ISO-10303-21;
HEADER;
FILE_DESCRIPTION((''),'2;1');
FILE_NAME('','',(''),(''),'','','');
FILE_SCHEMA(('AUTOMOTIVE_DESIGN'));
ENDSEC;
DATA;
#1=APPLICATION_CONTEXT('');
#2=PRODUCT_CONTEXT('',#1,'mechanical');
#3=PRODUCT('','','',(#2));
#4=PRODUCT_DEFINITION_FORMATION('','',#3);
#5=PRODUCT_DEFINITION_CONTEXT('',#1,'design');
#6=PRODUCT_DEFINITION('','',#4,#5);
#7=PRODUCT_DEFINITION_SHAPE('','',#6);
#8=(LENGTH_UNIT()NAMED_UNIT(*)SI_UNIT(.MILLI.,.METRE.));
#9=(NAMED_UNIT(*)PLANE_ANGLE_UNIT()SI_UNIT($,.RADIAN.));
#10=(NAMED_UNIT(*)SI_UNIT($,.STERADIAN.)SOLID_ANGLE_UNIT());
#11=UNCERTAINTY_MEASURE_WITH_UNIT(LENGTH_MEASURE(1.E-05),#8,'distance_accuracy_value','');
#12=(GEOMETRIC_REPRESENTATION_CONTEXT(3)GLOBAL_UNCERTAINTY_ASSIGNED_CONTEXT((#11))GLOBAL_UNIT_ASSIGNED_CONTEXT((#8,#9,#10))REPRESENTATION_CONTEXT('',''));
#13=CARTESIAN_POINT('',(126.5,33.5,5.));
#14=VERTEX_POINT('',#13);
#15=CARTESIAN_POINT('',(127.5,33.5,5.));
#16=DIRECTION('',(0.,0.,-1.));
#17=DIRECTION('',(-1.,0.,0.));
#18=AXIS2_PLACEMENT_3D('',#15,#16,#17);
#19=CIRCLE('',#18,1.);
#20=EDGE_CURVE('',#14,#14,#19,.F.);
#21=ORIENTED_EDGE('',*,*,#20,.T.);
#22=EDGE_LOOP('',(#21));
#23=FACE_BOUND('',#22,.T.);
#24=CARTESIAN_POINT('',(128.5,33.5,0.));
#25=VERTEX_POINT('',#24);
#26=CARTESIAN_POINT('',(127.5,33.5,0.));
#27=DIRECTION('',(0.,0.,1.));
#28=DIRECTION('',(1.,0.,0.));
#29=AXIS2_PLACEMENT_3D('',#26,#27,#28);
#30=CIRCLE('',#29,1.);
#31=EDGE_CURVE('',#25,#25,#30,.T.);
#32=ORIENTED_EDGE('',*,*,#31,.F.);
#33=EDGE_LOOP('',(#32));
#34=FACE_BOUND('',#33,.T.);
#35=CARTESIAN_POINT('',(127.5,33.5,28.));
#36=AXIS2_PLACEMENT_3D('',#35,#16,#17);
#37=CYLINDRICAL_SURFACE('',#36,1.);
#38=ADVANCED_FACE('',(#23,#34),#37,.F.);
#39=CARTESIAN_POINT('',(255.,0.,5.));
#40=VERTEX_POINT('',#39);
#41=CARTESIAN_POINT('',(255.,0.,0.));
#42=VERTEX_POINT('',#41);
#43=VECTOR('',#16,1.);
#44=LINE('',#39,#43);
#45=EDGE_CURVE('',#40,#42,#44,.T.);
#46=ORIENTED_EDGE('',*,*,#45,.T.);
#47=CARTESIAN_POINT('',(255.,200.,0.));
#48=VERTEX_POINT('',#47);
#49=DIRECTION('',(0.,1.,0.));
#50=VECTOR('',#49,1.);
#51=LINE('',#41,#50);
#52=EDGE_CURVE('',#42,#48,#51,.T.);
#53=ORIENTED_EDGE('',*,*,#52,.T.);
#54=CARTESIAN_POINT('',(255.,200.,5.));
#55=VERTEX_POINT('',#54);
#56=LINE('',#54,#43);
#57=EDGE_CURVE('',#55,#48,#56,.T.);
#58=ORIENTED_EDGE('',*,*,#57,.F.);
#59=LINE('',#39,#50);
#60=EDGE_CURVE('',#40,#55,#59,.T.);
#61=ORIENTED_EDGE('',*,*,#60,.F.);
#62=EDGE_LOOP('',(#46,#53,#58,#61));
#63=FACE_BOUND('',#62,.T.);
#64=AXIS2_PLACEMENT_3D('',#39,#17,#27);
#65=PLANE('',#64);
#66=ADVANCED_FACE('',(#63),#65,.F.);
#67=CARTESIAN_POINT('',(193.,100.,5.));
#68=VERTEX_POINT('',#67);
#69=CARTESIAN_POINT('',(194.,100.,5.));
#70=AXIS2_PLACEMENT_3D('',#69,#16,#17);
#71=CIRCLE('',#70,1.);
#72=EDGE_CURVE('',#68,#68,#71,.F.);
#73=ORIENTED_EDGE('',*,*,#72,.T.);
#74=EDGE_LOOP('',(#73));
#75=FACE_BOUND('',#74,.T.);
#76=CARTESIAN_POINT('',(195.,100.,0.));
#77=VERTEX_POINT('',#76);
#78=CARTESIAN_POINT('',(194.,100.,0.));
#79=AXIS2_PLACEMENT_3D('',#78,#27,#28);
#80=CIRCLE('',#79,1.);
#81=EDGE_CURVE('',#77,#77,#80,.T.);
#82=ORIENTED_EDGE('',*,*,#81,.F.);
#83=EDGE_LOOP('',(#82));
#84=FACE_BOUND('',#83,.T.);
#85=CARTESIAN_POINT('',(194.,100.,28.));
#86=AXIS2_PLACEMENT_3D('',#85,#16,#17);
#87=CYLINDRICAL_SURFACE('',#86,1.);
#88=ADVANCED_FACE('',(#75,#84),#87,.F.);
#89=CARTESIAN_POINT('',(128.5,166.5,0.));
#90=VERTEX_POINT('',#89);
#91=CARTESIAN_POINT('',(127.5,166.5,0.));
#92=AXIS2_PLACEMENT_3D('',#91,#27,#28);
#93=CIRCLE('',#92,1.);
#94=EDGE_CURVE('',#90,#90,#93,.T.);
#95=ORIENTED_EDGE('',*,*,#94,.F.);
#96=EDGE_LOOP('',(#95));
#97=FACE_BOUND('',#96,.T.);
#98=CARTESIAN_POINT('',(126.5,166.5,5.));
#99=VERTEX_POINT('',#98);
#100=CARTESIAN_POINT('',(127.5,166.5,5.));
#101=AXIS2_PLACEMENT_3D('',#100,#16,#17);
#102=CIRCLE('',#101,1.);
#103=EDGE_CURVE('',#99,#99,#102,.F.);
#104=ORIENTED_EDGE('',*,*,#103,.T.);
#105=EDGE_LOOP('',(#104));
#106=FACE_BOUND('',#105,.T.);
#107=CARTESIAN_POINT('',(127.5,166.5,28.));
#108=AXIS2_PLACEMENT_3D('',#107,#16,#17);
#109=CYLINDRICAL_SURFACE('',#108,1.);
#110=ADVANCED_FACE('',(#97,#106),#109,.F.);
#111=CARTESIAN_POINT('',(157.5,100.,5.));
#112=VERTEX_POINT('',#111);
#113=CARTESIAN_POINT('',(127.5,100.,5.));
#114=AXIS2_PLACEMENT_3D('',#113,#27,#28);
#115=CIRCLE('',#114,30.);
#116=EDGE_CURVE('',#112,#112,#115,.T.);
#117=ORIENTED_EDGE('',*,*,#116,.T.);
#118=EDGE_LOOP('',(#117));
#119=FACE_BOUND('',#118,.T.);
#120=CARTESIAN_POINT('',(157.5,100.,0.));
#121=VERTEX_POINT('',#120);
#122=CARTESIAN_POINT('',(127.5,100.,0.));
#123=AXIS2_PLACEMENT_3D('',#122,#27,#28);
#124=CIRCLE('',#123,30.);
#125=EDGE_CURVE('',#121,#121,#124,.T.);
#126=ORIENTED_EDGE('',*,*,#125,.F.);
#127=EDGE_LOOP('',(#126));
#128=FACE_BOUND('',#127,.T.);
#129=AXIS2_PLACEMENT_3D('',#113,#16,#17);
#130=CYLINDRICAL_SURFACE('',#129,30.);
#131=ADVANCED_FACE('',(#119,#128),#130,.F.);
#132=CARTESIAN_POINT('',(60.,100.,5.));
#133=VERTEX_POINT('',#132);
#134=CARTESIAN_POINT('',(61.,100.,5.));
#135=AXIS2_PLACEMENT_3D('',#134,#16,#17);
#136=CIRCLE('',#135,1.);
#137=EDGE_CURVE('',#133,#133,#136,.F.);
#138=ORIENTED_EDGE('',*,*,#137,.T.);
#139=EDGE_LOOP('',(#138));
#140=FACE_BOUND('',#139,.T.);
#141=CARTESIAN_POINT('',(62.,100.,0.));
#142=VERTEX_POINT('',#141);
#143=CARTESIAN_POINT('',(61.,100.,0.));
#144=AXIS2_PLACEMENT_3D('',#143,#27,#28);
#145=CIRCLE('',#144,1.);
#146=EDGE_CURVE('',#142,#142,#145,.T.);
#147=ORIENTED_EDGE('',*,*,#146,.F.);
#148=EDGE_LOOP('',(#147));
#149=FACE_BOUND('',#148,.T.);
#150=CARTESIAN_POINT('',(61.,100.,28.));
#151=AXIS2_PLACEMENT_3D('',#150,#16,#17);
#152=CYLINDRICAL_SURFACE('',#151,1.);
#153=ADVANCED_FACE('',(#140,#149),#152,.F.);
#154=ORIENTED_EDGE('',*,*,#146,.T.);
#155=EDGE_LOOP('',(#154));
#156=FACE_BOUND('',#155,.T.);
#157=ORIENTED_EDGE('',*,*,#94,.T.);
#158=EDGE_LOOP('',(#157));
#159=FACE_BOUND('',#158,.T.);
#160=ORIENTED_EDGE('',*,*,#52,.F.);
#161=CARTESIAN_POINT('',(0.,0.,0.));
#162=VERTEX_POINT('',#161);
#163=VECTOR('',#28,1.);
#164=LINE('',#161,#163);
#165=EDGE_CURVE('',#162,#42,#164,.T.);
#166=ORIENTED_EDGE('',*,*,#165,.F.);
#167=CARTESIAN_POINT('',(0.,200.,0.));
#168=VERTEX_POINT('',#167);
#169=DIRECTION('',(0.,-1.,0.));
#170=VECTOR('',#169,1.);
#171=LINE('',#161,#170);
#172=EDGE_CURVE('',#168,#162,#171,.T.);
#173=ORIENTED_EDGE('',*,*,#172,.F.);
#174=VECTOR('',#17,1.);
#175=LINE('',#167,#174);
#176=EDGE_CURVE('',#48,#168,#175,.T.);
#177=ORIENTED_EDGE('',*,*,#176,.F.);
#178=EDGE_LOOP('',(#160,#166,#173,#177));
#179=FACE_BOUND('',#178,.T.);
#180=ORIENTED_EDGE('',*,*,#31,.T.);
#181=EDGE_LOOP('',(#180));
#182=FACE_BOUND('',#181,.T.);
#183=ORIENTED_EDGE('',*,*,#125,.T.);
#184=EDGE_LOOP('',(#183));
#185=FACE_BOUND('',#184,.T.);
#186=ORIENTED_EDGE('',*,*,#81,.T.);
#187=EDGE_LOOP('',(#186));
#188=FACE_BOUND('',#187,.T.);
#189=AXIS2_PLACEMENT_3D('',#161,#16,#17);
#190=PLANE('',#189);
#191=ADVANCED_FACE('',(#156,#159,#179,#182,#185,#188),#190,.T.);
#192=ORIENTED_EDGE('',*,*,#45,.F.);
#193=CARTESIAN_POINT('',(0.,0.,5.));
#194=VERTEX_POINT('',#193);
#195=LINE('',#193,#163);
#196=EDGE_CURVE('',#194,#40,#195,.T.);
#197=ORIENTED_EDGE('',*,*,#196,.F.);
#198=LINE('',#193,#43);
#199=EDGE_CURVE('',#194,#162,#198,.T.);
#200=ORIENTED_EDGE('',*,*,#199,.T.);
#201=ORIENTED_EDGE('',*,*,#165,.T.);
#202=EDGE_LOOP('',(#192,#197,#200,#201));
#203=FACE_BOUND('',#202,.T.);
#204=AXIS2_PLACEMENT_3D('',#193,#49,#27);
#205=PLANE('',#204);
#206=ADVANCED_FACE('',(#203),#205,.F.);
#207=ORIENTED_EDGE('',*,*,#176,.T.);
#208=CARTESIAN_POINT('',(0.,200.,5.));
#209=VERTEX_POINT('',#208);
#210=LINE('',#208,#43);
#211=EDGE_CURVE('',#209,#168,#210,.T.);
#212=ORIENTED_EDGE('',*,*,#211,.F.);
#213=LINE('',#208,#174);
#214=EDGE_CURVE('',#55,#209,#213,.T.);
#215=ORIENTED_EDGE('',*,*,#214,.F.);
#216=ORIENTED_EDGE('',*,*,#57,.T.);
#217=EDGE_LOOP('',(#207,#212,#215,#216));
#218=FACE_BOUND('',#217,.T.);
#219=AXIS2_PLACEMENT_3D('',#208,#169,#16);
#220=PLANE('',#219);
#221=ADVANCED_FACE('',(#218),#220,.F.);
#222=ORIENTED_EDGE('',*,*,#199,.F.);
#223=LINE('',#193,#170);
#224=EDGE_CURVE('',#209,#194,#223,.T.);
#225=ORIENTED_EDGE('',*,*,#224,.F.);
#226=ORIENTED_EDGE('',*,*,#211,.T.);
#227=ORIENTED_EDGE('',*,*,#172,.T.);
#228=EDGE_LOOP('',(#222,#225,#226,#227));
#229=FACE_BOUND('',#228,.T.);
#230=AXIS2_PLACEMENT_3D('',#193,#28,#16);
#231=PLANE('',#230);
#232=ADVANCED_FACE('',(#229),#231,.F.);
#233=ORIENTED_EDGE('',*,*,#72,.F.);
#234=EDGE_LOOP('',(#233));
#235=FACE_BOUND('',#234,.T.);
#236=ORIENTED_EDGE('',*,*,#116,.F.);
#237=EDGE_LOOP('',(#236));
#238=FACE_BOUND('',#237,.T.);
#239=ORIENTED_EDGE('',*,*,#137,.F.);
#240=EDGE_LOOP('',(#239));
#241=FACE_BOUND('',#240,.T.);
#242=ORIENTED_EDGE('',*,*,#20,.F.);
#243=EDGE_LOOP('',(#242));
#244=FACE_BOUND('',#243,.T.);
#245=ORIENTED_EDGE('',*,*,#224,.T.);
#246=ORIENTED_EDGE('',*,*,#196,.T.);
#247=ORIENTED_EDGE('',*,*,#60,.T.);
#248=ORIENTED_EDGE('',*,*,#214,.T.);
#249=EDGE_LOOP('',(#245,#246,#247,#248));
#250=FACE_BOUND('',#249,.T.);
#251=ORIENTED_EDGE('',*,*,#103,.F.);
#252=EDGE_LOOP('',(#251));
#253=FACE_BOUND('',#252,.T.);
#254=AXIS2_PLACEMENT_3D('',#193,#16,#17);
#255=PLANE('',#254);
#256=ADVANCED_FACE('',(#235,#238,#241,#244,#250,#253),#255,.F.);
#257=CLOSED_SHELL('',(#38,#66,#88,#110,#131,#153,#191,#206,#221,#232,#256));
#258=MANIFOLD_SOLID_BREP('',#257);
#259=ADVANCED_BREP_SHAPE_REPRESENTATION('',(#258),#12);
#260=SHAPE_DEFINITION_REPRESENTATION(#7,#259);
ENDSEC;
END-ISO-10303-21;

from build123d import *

# Parameters (mm, degrees)
SKETCH1_W           = 255
SKETCH1_H           = 200
SKETCH1_R           = 30
BOSS_EXTRUDE1_DEPTH = 5
SKETCH2_R           = 1
CUT_EXTRUDE1_DEPTH  = 28


with BuildPart() as part:
    # Sketch1 → Boss-Extrude1 (new body)
    with BuildSketch(Plane.XY):
        with Locations((127.5, 100)):
            Rectangle(SKETCH1_W, SKETCH1_H)
        with Locations((127.5, 100)):
            Circle(SKETCH1_R, mode=Mode.SUBTRACT)
    extrude(amount=BOSS_EXTRUDE1_DEPTH)

    # Sketch2 → Cut-Extrude1 (cut)
    with BuildSketch(Plane.XY):
        with Locations(Location((61, 100, 0), (0, 0, 180))):
            Circle(SKETCH2_R)
        with Locations(Location((127.5, 166.5, 0), (0, 0, 180))):
            Circle(SKETCH2_R)
        with Locations(Location((194, 100, 0), (0, 0, 180))):
            Circle(SKETCH2_R)
        with Locations(Location((127.5, 33.5, 0), (0, 0, 180))):
            Circle(SKETCH2_R)
    extrude(amount=CUT_EXTRUDE1_DEPTH, mode=Mode.SUBTRACT)


solid = part.part
